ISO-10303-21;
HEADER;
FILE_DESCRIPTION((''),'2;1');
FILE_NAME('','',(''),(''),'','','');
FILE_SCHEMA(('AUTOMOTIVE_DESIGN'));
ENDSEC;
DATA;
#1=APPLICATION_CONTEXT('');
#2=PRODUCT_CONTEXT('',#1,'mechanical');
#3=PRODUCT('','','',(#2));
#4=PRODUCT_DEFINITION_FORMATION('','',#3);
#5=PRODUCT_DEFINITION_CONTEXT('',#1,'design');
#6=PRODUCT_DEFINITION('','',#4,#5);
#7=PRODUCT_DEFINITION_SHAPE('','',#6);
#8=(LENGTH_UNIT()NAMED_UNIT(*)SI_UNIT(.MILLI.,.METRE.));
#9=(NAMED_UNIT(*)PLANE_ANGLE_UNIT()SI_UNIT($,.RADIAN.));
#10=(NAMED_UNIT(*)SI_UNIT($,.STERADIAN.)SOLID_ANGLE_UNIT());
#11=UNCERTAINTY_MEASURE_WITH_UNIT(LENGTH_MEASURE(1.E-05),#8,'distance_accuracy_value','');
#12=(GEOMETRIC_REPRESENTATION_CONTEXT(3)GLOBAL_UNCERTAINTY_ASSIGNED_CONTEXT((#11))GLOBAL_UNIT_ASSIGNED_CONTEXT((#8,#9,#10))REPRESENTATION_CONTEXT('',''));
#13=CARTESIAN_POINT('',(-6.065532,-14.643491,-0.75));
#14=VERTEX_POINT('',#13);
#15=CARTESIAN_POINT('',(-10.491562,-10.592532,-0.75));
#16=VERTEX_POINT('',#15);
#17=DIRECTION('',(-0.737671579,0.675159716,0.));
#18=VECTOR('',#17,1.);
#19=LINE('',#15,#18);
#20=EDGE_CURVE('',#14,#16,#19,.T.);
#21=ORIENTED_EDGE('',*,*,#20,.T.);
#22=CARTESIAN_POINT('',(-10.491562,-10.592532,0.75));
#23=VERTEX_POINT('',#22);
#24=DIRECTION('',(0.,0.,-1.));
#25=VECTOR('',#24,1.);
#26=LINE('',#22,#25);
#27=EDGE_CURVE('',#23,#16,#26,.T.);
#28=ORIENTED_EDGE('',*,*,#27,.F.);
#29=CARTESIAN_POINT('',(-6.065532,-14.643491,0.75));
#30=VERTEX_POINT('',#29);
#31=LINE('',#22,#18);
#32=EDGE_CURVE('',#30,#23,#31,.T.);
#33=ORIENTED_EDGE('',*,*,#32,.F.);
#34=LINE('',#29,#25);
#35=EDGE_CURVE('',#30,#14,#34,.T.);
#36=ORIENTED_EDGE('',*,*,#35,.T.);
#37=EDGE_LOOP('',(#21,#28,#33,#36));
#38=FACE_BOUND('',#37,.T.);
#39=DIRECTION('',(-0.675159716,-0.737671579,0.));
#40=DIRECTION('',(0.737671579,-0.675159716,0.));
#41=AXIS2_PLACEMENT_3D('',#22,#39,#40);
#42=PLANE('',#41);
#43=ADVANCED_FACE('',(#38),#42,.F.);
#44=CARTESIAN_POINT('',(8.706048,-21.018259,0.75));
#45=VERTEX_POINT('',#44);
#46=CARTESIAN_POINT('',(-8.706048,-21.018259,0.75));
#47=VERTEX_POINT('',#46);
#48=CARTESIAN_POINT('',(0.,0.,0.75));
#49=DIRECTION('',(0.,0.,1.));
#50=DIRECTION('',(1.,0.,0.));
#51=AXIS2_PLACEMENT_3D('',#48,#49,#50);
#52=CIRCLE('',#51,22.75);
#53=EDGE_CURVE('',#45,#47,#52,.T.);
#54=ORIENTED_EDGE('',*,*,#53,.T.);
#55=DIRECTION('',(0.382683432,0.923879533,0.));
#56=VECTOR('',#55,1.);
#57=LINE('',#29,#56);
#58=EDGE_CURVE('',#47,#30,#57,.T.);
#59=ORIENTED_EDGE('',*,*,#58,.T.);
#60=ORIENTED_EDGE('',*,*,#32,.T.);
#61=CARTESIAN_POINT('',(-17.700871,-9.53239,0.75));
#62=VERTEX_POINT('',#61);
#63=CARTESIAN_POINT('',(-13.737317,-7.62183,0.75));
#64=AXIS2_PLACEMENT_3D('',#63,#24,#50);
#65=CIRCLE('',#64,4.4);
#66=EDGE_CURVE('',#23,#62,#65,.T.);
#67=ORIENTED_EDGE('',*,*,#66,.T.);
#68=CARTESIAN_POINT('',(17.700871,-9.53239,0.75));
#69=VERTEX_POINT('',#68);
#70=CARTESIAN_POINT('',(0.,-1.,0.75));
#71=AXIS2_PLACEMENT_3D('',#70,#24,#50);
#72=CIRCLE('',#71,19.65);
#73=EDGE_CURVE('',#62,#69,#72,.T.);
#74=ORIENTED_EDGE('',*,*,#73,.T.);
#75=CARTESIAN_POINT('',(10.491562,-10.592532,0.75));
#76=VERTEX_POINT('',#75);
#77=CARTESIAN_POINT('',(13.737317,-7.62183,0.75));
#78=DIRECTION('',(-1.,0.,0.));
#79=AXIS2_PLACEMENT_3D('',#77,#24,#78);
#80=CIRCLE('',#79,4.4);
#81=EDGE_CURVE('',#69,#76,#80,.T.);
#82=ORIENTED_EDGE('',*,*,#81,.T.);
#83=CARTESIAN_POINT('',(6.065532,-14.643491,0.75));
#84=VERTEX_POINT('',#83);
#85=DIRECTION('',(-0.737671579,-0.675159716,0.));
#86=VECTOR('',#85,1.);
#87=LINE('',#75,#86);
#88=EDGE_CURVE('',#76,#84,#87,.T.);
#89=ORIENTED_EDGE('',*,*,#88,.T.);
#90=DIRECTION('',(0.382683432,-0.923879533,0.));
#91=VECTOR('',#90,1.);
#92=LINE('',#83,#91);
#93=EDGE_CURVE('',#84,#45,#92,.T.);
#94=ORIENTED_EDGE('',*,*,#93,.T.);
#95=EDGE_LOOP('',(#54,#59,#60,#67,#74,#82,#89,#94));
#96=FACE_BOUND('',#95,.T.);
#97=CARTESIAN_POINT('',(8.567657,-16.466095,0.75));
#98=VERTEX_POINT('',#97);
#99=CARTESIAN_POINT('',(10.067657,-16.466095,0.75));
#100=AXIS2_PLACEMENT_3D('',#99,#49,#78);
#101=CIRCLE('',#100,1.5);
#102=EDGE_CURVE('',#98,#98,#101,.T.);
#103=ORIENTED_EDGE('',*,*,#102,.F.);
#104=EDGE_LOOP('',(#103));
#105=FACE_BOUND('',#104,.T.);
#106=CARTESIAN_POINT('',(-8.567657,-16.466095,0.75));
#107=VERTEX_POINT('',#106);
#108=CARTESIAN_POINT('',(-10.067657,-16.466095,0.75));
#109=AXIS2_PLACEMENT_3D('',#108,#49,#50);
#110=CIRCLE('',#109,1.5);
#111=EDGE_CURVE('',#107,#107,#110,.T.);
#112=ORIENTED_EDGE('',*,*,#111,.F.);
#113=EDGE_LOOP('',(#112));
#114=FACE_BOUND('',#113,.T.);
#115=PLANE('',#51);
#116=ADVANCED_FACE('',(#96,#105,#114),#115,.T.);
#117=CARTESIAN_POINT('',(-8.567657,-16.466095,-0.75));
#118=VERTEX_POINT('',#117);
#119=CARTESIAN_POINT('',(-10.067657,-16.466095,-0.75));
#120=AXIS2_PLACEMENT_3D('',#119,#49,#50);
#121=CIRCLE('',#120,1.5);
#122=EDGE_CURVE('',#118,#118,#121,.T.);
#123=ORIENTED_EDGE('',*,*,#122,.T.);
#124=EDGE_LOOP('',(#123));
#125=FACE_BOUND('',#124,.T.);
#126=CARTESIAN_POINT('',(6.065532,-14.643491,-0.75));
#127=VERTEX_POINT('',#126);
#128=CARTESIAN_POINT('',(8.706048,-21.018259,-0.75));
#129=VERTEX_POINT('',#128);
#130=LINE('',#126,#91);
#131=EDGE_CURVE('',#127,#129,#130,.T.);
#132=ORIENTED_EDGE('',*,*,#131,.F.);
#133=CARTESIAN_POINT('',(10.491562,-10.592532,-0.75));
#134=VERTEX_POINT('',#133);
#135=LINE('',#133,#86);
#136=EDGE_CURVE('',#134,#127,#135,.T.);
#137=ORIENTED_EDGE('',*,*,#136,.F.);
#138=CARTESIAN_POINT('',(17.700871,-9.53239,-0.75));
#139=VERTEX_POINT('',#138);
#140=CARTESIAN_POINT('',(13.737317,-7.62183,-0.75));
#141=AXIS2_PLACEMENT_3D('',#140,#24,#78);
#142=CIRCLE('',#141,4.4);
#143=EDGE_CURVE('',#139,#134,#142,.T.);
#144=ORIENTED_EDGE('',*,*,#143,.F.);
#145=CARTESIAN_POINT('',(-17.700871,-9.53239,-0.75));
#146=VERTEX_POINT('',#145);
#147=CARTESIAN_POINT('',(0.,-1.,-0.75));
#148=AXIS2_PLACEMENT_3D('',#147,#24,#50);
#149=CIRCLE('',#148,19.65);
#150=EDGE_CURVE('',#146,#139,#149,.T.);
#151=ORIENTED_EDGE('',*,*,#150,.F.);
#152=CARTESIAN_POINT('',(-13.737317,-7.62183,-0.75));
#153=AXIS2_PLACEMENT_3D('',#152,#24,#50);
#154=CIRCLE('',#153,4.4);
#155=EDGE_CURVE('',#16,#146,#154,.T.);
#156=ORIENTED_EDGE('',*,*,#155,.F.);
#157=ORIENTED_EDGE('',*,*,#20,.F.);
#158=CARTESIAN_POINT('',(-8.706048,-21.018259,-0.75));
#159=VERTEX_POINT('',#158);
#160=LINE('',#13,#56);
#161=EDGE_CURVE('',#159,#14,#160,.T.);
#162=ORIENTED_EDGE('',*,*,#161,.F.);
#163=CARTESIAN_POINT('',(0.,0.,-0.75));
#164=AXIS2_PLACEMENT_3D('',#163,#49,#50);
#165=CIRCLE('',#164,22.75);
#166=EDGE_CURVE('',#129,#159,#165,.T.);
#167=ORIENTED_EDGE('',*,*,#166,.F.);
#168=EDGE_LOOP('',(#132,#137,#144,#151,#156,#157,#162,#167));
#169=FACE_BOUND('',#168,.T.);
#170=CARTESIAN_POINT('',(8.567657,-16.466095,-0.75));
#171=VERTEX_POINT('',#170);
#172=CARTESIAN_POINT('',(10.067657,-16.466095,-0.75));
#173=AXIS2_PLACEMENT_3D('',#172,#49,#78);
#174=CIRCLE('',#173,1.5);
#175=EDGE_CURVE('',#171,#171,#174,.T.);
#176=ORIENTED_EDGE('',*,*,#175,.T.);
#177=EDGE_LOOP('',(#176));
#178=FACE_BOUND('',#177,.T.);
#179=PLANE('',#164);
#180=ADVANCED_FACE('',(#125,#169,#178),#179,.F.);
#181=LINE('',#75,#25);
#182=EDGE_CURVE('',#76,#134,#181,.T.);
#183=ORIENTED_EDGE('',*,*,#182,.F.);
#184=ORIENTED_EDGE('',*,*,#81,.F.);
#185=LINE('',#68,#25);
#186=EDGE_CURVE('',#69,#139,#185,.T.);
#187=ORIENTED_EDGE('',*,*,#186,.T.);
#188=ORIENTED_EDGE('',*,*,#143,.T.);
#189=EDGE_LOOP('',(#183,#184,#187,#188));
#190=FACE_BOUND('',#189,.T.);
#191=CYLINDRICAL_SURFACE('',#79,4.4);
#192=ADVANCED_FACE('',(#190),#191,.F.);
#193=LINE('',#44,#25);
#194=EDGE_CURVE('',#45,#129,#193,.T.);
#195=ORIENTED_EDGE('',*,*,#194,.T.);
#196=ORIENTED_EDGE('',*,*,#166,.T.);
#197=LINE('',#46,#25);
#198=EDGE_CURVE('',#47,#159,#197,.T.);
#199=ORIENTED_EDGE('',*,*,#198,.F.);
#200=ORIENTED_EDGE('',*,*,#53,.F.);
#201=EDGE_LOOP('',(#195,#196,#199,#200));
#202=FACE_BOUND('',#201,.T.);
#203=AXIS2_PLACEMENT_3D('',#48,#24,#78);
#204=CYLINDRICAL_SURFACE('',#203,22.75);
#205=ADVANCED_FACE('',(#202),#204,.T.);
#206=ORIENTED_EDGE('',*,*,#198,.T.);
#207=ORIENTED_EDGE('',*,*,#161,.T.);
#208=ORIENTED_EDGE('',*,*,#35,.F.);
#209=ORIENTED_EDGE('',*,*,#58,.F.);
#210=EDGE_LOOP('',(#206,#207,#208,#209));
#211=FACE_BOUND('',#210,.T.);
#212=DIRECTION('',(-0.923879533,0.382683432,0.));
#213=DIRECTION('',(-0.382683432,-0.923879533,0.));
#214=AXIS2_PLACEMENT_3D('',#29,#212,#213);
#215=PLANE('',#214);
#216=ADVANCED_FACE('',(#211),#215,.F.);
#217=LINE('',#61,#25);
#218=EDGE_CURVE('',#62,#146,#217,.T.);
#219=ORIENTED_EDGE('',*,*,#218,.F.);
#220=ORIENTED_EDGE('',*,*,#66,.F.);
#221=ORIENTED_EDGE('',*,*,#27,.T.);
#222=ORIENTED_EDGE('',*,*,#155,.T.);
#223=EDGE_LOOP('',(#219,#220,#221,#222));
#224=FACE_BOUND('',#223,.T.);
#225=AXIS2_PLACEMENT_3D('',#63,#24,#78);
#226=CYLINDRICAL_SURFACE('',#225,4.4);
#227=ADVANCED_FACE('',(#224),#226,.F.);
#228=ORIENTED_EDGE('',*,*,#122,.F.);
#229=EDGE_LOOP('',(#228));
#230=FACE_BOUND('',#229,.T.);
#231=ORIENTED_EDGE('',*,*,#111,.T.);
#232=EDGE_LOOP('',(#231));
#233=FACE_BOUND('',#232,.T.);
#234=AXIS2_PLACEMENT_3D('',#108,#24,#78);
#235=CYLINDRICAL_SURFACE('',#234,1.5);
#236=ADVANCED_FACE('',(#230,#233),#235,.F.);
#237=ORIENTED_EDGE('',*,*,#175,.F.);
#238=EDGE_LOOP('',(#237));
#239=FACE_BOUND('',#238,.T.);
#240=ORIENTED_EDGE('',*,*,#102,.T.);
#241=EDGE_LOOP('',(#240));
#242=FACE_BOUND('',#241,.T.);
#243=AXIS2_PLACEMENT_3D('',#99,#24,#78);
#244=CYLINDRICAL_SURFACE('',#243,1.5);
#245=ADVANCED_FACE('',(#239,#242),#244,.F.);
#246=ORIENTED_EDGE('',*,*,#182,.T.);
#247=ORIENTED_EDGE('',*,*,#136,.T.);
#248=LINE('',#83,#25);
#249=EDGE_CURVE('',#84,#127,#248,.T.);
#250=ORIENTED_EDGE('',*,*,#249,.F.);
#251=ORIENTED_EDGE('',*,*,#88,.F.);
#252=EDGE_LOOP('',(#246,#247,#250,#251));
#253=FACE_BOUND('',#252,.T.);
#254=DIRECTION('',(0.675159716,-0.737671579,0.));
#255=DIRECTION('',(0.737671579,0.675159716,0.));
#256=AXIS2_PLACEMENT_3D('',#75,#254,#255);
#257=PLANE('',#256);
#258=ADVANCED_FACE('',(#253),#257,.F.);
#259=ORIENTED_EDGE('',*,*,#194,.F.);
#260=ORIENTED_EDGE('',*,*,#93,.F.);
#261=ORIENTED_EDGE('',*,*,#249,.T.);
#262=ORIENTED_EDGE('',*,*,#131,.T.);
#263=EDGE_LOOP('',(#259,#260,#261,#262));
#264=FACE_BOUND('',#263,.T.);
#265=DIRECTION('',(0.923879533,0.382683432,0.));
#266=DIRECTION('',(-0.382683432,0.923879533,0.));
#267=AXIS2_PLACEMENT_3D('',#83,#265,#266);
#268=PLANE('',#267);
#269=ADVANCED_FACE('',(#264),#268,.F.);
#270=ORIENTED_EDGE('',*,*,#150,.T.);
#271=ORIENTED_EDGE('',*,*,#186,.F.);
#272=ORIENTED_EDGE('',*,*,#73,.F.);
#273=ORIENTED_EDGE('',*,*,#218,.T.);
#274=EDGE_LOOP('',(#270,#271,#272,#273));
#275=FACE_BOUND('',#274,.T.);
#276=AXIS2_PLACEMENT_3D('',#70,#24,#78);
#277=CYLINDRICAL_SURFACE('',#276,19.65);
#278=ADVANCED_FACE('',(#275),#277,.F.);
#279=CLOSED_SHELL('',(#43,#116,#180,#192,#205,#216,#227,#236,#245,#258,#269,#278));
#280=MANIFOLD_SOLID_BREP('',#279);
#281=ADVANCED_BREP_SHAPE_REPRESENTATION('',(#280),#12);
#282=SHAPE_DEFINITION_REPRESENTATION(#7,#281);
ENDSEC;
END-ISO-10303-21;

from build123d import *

# Parameters (mm, degrees)
EXTRUDE_1003_DEPTH      = 0.75
EXTRUDE_1003_DEPTH_BACK = 0.75
SKETCH_1_R              = 1.5


with BuildPart() as part:
    # 草图1 → Extrude 1003 (new, two sides: drawn at the far end of the back side and taken through both)
    with BuildSketch(Plane.XY.offset(-EXTRUDE_1003_DEPTH_BACK)):
        with BuildLine():
            Line((-10.491561876, -10.592532295), (-6.065532403, -14.64349059))
            Line((-6.065532403, -14.64349059), (-8.706048086, -21.018259365))
            ThreePointArc((-8.706048086, -21.018259365), (0, 22.75), (8.706048086, -21.018259365))
            Line((8.706048086, -21.018259365), (6.065532403, -14.64349059))
            Line((6.065532403, -14.64349059), (10.491561876, -10.592532295))
            ThreePointArc((10.491561876, -10.592532295), (14.377460618, -11.975014118), (17.700870528, -9.532390201))
            ThreePointArc((17.700870528, -9.532390201), (0, 18.65), (-17.700870528, -9.532390201))
            ThreePointArc((-17.700870528, -9.532390201), (-14.377460618, -11.975014118), (-10.491561876, -10.592532295))
        make_face()
        with Locations((-10.067656556, -16.46609521)):
            Circle(SKETCH_1_R, mode=Mode.SUBTRACT)
        with Locations((10.067656556, -16.46609521)):
            Circle(SKETCH_1_R, mode=Mode.SUBTRACT)
    extrude(amount=EXTRUDE_1003_DEPTH + EXTRUDE_1003_DEPTH_BACK)


solid = part.part
